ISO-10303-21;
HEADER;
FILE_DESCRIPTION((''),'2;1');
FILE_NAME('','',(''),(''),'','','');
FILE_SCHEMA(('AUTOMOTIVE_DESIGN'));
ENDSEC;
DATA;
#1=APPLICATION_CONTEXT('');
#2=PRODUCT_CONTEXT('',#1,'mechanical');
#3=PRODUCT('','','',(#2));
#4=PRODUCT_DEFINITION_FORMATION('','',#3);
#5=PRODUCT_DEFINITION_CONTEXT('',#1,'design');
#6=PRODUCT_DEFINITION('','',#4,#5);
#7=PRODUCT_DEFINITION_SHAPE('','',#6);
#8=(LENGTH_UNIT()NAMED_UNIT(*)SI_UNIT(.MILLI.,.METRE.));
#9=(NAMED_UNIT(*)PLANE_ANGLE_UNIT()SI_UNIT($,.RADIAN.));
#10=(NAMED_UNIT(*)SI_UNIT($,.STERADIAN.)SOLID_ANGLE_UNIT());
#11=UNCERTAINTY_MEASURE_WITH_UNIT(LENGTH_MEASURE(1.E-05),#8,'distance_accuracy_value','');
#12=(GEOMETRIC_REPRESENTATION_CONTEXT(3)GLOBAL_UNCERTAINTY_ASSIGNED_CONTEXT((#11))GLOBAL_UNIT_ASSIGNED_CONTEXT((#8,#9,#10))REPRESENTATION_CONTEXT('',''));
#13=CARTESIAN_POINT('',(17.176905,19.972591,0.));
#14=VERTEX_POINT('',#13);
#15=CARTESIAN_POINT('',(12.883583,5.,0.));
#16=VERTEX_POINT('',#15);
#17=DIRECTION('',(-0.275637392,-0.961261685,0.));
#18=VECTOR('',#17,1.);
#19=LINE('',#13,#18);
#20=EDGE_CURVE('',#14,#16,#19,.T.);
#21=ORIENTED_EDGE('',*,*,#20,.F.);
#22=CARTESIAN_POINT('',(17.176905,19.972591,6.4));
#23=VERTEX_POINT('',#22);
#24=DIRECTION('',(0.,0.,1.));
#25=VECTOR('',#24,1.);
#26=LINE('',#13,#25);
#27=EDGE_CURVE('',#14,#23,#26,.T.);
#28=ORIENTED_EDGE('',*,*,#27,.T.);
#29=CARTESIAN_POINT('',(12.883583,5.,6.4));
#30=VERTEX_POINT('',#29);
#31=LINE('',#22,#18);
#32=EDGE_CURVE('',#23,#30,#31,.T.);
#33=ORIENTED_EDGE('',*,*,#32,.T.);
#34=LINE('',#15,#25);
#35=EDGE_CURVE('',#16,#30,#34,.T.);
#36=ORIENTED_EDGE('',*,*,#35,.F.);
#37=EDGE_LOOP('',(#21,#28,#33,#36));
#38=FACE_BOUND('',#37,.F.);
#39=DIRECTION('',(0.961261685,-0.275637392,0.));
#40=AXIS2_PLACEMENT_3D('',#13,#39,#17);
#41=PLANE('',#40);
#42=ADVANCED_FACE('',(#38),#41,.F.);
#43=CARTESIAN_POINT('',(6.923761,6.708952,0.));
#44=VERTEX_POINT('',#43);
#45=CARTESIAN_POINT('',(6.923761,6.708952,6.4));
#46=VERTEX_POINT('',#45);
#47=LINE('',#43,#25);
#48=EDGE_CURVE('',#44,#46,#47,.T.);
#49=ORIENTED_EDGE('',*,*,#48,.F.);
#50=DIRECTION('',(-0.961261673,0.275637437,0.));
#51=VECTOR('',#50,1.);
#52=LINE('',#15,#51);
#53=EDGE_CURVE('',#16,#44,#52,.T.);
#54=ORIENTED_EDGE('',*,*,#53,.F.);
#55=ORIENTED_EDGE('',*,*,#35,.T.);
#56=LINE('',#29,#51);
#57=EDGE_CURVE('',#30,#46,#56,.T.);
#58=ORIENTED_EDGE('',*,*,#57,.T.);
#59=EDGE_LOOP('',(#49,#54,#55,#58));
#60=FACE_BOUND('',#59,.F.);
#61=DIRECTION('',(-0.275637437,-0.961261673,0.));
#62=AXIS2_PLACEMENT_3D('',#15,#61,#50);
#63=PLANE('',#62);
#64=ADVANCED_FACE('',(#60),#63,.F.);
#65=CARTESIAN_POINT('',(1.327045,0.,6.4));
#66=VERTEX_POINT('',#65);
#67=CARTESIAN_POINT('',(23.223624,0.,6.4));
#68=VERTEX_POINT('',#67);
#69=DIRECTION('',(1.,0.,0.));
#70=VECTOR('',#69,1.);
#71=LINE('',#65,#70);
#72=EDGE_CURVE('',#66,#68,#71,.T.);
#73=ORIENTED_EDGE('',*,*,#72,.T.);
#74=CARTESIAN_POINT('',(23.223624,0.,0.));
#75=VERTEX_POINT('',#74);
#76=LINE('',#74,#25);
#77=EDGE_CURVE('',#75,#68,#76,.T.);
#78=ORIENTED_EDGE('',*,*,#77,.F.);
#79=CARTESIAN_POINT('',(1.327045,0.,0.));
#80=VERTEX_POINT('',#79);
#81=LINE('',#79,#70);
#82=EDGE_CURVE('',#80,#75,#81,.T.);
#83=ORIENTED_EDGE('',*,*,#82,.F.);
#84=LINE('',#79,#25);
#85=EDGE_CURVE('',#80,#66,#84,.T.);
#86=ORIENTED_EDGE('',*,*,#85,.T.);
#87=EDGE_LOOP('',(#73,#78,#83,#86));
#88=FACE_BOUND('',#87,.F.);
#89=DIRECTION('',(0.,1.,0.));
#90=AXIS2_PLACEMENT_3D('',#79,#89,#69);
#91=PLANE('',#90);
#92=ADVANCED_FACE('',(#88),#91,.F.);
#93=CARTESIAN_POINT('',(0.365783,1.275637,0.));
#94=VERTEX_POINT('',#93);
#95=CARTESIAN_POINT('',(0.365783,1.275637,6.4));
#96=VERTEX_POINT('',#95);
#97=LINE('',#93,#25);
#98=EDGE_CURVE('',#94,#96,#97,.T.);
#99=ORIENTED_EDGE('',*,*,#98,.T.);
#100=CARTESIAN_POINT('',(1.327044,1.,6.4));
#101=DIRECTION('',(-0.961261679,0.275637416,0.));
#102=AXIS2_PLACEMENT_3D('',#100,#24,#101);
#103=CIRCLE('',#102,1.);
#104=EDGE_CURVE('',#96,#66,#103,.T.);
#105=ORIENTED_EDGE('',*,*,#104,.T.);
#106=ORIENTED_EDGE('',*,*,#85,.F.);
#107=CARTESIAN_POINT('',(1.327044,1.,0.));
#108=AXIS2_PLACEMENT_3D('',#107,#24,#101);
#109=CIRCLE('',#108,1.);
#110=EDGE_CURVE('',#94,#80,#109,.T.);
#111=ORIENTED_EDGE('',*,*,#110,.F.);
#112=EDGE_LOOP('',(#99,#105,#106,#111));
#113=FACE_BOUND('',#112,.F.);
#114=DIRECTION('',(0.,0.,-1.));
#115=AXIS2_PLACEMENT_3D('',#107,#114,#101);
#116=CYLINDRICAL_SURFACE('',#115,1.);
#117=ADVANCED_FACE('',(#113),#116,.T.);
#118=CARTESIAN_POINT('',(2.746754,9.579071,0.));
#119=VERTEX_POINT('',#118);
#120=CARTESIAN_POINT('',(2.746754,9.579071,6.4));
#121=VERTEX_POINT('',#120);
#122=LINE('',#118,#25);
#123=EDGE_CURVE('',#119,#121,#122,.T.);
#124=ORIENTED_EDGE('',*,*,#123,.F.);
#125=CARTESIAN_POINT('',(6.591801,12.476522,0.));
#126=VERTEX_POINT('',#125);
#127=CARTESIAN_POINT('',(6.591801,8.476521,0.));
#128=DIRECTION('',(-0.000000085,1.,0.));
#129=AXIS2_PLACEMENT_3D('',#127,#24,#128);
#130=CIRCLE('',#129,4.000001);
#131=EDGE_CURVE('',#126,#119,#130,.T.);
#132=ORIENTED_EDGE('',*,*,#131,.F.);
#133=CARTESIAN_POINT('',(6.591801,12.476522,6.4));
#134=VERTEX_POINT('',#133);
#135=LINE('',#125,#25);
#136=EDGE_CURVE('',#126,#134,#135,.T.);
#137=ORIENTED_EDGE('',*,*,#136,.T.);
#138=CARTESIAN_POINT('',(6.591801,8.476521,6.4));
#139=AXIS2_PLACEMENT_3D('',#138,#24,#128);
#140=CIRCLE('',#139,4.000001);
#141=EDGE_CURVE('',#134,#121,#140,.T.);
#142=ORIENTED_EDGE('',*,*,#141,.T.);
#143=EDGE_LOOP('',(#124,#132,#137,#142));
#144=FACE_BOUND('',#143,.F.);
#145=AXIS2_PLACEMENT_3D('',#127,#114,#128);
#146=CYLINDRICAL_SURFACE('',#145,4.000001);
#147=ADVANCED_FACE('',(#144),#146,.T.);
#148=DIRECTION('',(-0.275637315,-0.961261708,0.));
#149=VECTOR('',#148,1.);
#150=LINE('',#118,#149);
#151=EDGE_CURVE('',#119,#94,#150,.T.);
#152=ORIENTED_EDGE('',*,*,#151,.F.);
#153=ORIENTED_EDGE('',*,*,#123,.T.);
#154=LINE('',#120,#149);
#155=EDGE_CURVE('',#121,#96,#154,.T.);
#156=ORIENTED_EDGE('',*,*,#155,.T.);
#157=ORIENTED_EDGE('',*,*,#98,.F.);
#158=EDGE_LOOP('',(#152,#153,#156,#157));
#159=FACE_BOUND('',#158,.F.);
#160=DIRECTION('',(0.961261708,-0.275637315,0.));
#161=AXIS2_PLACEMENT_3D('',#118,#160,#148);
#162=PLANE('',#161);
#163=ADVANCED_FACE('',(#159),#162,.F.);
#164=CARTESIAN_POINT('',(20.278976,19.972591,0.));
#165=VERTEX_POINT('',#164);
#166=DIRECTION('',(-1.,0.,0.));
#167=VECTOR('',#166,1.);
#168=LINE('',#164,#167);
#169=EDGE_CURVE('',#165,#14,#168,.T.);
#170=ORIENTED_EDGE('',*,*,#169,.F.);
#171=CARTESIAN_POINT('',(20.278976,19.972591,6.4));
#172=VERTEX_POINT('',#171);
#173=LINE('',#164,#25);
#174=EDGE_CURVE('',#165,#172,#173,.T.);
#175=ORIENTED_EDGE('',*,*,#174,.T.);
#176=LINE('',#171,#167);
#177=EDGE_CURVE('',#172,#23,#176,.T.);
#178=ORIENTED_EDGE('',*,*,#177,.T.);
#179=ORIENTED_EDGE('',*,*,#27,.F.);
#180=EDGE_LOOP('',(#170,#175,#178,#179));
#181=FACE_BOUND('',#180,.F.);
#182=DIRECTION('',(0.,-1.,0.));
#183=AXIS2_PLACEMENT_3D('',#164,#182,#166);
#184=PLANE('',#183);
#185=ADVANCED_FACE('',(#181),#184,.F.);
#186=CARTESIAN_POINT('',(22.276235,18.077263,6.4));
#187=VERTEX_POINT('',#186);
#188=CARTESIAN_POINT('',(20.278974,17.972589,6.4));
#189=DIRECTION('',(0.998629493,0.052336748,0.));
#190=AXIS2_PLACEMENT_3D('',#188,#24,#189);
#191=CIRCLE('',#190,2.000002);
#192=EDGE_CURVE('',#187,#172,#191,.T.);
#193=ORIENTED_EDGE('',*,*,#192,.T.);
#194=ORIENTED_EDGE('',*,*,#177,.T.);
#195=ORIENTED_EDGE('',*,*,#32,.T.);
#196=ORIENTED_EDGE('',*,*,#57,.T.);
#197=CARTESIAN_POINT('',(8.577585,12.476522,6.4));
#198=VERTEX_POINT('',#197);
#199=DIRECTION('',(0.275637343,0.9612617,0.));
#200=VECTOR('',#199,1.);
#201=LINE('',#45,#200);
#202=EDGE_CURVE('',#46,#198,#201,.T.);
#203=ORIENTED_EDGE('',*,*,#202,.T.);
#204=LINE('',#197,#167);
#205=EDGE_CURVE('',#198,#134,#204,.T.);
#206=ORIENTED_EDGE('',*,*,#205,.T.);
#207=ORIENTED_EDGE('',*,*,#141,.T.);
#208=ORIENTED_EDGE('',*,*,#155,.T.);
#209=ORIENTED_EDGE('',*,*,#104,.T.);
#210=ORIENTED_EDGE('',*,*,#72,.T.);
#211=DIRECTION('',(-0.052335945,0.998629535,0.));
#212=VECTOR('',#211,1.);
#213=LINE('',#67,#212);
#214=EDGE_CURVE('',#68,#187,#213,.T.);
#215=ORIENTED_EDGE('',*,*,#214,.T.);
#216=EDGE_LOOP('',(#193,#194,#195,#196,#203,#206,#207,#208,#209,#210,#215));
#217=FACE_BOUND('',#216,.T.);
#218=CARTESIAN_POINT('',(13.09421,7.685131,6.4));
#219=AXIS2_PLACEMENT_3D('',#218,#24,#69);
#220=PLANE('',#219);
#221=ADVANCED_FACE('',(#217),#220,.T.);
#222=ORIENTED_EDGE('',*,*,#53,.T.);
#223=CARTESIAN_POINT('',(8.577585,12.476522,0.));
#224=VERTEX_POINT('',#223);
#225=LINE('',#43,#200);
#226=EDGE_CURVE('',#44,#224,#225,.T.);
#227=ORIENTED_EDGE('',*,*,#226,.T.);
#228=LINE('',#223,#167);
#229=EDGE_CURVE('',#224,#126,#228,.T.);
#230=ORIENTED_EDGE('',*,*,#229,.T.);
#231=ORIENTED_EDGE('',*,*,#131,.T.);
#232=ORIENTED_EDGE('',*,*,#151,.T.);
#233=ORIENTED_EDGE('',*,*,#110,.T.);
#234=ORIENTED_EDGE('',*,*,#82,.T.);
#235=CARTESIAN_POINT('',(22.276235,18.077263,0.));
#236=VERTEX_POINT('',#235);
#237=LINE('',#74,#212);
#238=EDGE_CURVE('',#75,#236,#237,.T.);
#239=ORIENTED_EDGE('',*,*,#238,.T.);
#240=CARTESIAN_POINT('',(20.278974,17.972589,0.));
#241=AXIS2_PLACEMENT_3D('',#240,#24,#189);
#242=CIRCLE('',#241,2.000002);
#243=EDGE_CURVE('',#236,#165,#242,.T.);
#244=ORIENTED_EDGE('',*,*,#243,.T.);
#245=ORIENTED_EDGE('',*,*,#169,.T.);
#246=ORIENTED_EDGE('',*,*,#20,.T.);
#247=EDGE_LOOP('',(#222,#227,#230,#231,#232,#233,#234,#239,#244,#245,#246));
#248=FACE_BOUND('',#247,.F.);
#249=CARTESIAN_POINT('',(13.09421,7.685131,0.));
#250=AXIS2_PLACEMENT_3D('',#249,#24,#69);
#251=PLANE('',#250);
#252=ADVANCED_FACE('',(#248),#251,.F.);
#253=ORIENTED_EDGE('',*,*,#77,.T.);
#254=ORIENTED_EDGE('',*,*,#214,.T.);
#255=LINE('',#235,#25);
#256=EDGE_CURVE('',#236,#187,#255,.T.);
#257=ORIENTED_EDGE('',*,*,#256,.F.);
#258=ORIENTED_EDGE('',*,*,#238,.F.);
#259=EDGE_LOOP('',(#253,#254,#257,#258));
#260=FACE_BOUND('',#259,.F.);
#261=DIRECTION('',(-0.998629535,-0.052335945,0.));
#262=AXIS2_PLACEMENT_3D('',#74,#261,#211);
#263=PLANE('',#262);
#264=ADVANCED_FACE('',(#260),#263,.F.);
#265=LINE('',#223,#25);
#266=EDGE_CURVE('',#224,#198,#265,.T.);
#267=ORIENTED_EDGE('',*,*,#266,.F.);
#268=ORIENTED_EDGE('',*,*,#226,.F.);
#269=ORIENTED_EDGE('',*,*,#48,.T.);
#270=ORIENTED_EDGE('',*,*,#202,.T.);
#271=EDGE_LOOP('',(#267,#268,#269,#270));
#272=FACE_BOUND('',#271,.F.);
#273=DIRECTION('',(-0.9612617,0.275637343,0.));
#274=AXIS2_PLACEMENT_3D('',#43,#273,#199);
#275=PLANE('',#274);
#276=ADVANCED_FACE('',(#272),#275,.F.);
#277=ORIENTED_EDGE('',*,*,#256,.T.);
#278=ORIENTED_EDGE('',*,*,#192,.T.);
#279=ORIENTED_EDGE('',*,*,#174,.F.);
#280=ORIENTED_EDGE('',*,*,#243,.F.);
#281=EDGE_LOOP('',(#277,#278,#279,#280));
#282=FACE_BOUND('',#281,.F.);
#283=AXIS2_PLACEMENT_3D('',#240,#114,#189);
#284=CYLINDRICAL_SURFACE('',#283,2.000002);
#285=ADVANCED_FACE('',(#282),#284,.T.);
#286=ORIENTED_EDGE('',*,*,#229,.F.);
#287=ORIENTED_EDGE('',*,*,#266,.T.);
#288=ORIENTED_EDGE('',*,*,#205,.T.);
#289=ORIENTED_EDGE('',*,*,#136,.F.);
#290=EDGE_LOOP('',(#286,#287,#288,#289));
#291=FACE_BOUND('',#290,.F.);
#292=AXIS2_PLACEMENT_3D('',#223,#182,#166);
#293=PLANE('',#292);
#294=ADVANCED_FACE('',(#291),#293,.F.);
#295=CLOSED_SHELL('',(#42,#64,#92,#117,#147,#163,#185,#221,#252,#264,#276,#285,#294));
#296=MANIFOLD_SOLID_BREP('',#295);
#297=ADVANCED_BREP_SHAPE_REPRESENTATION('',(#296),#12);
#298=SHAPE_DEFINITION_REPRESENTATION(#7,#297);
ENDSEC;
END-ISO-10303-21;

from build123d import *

# Parameters (mm, degrees)
F1_DEPTH = 6.4


with BuildPart() as f1:
    # F0 (on Top) → F1 (new body)
    with BuildSketch(Plane.XY):
        with BuildLine():
            Line((1.327045, 0), (23.223624, 0))
            Line((23.223624, 0), (22.276235, 18.077263))
            ThreePointArc((22.276235, 18.077263), (21.655685, 19.423339), (20.278976, 19.972591))
            Line((20.278976, 19.972591), (17.176905, 19.972591))
            Line((17.176905, 19.972591), (12.883583, 5))
            Line((12.883583, 5), (6.923761, 6.708952))
            Line((6.923761, 6.708952), (8.577585, 12.476522))
            Line((8.577585, 12.476522), (6.591801, 12.476522))
            ThreePointArc((6.591801, 12.476522), (4.184541, 11.671064), (2.746754, 9.579071))
            Line((2.746754, 9.579071), (0.365783, 1.275637))
            ThreePointArc((0.365783, 1.275637), (0.528409, 0.398185), (1.327045, 0))
        make_face()
    extrude(amount=F1_DEPTH)


solid = f1.part
